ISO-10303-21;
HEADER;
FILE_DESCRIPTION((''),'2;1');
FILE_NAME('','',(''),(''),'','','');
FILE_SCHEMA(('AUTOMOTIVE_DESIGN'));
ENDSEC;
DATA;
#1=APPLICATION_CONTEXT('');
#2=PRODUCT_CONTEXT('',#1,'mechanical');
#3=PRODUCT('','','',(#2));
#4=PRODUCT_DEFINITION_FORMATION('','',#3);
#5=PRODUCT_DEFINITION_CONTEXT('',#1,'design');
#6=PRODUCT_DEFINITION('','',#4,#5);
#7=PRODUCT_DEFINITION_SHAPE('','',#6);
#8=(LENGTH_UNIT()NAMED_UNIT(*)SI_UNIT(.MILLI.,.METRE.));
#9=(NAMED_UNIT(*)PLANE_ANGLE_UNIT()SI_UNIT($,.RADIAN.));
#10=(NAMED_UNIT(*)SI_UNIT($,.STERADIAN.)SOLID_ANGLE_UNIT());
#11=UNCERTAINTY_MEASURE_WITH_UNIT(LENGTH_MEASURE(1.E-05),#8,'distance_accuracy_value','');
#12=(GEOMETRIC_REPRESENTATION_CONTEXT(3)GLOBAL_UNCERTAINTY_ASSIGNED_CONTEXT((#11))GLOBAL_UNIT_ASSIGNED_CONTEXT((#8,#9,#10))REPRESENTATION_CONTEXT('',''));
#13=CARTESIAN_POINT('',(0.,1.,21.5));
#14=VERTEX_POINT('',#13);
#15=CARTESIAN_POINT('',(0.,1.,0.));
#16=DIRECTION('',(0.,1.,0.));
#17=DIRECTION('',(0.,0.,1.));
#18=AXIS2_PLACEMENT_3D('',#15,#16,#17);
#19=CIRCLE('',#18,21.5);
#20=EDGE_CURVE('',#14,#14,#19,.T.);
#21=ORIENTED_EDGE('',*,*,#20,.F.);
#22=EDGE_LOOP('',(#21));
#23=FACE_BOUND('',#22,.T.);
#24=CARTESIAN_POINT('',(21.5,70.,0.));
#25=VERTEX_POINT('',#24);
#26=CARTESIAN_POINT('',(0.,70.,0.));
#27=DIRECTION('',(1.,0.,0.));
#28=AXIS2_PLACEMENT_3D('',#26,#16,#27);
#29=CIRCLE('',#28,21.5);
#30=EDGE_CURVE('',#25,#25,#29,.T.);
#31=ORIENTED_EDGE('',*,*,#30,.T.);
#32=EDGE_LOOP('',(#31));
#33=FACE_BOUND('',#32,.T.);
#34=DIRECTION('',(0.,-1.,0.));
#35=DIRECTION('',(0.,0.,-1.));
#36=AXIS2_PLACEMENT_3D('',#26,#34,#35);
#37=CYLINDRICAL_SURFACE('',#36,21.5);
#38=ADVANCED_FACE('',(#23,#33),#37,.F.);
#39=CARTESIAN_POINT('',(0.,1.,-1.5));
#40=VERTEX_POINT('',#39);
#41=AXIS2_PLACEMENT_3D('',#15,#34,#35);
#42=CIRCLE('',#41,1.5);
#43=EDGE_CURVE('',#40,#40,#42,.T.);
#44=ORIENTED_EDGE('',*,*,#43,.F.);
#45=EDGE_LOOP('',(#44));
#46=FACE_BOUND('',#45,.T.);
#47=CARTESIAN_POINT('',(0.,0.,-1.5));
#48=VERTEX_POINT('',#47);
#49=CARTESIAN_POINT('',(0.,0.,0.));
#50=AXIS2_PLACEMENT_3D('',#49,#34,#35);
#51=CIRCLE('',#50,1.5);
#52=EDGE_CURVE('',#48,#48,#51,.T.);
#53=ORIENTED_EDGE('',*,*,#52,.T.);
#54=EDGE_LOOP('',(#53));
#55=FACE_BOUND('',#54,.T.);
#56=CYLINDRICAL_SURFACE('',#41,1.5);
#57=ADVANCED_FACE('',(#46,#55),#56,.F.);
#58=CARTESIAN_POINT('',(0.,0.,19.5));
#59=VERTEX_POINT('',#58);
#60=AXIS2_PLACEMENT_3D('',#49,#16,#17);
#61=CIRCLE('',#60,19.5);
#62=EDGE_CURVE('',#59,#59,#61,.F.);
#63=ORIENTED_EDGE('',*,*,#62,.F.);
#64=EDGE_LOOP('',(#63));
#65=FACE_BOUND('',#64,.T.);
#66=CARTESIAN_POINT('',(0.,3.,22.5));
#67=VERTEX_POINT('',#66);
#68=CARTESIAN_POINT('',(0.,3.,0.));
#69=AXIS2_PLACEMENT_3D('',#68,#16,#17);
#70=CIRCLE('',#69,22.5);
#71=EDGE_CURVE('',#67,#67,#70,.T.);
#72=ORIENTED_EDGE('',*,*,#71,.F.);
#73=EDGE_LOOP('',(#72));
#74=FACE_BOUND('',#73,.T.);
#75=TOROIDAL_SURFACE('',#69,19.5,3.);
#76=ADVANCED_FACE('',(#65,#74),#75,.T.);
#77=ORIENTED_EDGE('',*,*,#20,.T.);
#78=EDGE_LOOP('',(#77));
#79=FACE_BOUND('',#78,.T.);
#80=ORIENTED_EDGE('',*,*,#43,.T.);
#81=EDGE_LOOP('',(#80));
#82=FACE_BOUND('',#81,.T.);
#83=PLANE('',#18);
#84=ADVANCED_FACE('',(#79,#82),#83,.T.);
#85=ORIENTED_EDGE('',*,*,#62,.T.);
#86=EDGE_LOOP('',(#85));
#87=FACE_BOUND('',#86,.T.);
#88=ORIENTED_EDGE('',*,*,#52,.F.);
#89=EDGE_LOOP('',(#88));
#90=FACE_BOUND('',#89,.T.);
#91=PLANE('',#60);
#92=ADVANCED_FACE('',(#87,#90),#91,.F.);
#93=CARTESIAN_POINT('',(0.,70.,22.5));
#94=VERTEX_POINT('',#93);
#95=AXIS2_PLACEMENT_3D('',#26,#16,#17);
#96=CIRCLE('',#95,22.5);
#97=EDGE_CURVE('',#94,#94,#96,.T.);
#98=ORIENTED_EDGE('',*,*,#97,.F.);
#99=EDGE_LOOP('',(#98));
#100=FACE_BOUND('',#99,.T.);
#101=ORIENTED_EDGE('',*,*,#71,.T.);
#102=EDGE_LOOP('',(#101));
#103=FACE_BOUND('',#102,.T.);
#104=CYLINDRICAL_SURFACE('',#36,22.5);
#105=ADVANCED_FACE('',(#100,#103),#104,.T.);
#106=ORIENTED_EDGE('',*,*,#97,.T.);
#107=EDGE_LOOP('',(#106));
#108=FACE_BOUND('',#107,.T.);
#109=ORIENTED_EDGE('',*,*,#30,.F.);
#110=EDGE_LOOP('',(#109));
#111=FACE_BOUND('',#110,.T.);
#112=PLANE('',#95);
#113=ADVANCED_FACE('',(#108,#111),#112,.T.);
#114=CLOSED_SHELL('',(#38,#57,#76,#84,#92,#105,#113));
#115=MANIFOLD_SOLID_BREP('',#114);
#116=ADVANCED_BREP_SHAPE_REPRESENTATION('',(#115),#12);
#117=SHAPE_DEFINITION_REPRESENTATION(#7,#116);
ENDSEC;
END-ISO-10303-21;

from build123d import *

# Parameters (mm, degrees)
SKETCH1_R           = 22.5
SKETCH1_R_2         = 21.5
EXTRUDE_THIN1_DEPTH = 70
SKETCH1_3_R         = 21.5
BOSS_EXTRUDE1_DEPTH = 1
FILLET1_R           = 3
SKETCH2_R           = 1.5
CUT_EXTRUDE1_DEPTH  = 1


with BuildPart() as part:
    # Sketch1 → Extrude-Thin1 (new body)
    with BuildSketch(Plane(origin=(0, 0, 0), x_dir=(1, 0, 0), z_dir=(0, 1, 0))):
        Circle(SKETCH1_R)
        Circle(SKETCH1_R_2, mode=Mode.SUBTRACT)
    extrude(amount=EXTRUDE_THIN1_DEPTH)

    # Sketch1<3> → Boss-Extrude1 (add)
    with BuildSketch(Plane(origin=(0, 0, 0), x_dir=(1, 0, 0), z_dir=(0, 1, 0))):
        Circle(SKETCH1_3_R)
    extrude(amount=BOSS_EXTRUDE1_DEPTH)

    # Fillet1
    fillet1_edges = [part.edges().sort_by_distance(p)[0] for p in [
        (-22.5, 0, 0),
    ]]
    fillet(fillet1_edges, radius=FILLET1_R)

    # Sketch2 → Cut-Extrude1 (cut)
    with BuildSketch(Plane.XZ):
        with Locations(Location((0, 0, 0), (0, 0, 270))):
            Circle(SKETCH2_R)
    extrude(amount=-CUT_EXTRUDE1_DEPTH, mode=Mode.SUBTRACT)


solid = part.part
